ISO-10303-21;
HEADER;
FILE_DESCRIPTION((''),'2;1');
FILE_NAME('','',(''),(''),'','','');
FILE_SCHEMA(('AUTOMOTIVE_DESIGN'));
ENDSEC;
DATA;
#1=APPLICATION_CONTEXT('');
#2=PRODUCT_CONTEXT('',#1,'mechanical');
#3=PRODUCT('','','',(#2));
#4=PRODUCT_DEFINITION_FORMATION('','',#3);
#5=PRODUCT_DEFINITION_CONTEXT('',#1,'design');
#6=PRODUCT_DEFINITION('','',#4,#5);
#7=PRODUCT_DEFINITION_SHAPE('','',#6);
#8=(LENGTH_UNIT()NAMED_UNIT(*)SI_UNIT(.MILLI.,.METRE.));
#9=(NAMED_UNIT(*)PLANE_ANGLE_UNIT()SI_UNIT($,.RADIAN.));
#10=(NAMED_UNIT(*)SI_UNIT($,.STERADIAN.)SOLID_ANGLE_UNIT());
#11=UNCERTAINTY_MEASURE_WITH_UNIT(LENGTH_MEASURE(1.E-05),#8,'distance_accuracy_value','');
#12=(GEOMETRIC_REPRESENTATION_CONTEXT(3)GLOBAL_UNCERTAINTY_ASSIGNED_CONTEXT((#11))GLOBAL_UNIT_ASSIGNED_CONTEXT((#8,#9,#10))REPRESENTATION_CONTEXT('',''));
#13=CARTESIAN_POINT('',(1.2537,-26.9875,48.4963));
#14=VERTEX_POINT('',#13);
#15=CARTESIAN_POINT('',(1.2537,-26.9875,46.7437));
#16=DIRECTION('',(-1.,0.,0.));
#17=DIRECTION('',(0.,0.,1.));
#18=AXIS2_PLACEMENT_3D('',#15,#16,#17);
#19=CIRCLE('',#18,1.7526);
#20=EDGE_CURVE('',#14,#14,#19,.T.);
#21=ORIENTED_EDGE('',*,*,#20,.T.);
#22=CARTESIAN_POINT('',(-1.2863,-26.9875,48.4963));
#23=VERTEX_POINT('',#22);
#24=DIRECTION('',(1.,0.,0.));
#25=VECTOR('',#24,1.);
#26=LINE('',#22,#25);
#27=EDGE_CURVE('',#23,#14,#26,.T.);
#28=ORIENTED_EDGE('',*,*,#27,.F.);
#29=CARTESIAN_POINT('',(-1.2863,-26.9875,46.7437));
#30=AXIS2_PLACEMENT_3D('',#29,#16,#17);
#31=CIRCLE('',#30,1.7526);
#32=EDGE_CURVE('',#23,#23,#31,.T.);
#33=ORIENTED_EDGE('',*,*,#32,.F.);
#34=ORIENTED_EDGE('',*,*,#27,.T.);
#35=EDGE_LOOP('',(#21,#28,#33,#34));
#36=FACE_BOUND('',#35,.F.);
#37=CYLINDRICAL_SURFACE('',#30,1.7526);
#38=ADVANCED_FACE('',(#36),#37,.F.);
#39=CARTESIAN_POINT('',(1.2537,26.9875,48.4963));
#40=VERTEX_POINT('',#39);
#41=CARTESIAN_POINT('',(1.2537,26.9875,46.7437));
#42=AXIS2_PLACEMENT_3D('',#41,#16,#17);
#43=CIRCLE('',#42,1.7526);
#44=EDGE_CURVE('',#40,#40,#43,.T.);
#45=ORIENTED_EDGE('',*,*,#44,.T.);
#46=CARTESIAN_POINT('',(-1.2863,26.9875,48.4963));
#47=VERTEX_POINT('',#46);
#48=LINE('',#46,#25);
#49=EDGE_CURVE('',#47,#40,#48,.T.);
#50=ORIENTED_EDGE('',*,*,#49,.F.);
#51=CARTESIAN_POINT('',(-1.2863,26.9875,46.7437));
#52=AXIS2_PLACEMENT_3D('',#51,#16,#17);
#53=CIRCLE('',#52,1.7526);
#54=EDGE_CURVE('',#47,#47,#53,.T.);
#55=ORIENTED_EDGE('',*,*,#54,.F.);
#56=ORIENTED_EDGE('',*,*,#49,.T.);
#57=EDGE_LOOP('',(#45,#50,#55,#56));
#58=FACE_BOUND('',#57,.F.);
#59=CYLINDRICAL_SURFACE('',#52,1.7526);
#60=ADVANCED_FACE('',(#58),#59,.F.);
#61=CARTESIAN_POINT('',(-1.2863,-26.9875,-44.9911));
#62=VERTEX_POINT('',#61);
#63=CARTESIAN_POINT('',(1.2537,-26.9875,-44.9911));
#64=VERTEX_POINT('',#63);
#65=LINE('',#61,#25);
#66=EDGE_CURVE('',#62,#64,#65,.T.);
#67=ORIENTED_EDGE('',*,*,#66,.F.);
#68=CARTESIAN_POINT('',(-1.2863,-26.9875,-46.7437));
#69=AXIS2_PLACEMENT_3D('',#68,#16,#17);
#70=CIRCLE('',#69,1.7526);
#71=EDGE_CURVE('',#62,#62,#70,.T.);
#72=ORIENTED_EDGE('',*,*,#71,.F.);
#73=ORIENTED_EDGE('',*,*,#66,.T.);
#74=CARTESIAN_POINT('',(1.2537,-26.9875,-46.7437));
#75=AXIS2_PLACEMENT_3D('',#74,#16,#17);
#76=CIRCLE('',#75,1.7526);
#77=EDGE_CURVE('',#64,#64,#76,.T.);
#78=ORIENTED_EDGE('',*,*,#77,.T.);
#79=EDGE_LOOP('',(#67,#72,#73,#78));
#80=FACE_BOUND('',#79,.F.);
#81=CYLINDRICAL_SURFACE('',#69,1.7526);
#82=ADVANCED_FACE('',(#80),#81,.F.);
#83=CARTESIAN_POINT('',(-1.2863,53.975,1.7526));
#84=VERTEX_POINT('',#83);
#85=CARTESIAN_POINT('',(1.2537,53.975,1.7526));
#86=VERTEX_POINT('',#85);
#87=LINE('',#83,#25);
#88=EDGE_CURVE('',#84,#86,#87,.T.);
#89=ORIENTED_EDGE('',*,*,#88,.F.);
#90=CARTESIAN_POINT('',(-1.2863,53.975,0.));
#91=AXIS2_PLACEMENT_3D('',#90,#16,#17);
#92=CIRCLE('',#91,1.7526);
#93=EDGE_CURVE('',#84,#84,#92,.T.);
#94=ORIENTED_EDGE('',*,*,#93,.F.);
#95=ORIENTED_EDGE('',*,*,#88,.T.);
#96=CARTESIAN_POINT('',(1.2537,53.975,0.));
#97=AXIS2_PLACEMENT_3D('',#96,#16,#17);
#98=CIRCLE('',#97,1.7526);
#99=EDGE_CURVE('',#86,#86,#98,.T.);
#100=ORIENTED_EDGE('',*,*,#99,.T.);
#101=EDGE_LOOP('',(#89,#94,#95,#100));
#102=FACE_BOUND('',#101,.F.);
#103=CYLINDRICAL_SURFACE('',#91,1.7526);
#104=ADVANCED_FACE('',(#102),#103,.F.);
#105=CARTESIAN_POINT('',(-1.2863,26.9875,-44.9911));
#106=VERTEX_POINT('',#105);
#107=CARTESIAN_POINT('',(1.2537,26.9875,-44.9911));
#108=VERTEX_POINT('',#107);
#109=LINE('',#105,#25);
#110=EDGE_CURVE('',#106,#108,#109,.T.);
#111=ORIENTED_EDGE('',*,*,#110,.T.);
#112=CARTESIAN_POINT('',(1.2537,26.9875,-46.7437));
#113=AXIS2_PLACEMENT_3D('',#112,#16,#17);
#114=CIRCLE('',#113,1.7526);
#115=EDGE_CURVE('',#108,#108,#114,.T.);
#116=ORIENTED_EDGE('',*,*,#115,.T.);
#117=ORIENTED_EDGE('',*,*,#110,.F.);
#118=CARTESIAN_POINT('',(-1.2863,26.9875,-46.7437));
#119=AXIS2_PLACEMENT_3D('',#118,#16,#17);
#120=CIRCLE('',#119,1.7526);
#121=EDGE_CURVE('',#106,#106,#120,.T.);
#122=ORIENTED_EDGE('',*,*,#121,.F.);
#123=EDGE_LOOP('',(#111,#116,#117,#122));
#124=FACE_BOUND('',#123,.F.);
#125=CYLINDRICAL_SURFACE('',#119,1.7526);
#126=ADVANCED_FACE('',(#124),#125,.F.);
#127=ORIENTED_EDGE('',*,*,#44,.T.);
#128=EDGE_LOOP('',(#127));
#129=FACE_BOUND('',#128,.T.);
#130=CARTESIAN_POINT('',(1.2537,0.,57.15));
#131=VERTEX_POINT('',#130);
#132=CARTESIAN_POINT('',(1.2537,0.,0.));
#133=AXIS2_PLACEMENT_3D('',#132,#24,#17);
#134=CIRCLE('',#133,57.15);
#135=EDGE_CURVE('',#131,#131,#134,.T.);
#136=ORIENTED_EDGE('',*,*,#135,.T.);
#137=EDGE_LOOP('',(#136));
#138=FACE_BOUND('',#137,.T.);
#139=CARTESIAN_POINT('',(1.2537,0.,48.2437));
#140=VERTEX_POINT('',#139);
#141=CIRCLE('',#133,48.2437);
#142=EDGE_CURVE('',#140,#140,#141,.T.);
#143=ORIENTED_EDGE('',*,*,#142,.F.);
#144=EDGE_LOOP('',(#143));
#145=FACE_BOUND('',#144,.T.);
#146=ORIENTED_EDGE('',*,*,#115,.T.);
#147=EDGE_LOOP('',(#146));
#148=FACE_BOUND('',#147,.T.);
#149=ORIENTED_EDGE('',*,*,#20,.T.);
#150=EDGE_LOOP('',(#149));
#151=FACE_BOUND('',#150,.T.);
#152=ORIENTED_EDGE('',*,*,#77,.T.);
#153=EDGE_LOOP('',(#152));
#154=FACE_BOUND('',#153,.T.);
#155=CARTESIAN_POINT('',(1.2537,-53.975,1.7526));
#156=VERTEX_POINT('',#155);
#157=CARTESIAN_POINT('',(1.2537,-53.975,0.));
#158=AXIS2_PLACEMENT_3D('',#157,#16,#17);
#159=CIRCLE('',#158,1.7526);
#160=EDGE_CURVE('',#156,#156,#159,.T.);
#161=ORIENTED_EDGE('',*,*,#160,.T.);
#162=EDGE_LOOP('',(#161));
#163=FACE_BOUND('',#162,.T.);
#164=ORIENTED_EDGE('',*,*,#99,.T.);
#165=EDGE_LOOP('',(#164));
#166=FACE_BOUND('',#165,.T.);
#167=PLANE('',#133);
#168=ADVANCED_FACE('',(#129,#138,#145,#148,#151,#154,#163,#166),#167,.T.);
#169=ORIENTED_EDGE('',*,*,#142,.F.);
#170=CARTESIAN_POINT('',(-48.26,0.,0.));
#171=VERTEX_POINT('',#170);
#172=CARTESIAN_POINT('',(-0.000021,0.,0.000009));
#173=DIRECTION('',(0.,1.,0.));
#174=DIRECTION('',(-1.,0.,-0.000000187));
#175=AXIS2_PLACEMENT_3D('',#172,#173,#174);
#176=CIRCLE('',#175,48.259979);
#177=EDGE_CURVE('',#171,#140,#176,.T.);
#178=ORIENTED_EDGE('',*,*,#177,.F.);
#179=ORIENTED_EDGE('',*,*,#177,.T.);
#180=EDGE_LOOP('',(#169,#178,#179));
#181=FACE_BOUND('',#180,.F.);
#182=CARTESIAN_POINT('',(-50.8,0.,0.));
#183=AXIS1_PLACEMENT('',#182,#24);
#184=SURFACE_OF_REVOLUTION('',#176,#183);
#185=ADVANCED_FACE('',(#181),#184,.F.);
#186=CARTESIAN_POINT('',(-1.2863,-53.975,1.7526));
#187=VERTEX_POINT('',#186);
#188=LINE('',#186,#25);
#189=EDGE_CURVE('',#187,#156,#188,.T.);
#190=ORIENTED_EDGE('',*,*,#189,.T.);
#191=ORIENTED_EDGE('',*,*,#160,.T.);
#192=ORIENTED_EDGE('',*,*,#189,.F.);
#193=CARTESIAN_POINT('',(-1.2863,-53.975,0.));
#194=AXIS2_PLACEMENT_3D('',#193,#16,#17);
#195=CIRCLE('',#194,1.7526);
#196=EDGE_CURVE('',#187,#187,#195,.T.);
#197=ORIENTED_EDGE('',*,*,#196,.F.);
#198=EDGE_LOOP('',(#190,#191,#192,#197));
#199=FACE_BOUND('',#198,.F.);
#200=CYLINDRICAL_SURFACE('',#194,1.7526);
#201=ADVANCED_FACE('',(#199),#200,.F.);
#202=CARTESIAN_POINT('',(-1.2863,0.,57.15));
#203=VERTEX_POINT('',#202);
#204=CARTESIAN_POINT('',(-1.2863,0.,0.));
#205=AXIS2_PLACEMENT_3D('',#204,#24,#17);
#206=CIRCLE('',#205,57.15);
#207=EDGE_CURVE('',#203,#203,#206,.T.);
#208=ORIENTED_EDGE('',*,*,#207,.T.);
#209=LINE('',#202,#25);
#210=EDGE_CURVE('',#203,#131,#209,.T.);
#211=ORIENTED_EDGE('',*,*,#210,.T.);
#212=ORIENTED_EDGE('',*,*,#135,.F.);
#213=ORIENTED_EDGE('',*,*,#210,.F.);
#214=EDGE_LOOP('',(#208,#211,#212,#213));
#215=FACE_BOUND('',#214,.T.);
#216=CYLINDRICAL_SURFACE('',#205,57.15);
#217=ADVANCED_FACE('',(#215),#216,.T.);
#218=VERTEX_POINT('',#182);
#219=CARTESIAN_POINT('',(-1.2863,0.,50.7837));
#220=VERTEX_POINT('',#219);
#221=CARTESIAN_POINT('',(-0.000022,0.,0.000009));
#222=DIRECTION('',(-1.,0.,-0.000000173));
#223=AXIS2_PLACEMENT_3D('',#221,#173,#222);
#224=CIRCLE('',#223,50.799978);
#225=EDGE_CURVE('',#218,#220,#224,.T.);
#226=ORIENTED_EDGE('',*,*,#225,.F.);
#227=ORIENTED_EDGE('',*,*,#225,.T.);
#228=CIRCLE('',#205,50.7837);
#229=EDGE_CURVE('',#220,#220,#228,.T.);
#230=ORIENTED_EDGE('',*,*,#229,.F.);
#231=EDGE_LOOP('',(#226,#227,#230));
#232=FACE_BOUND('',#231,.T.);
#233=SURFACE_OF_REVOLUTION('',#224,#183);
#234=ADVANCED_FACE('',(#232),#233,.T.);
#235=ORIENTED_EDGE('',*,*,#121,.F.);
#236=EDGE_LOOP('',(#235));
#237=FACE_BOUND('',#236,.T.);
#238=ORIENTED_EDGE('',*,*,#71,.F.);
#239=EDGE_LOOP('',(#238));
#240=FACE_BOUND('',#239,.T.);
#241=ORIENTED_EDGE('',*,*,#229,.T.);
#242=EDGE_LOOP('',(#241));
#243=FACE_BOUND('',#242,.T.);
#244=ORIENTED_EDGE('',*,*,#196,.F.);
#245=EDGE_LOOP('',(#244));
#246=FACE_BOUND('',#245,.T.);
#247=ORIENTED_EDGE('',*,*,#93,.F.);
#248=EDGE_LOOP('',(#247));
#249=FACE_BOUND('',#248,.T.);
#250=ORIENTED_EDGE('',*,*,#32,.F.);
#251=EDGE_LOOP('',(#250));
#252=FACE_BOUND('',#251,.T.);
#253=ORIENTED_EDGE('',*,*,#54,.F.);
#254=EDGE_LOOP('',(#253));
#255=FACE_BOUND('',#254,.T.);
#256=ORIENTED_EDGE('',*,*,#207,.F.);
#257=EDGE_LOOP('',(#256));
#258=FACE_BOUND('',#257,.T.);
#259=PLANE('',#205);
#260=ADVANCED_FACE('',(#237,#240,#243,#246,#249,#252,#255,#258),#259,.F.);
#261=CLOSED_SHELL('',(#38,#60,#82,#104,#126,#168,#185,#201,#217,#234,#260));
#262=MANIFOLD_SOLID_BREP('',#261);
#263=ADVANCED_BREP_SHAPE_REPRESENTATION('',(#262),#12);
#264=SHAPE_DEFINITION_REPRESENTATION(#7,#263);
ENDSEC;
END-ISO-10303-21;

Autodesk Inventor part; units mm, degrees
ref_plane "YZ Plane" through (0, 0, 0) normal (1, 0, 0) x (0, 1, 0)
ref_plane "XZ Plane" through (0, 0, 0) normal (0, 1, 0) x (-1, 0, 0)
ref_plane "XY Plane" through (0, 0, 0) normal (0, 0, 1) x (1, 0, 0)
sketch "Sketch1" plane through (0, 0, 0) normal (0, 1, 0) x (-1, 0, 0)
  arc A0 (50.8, 0) -> (1.2863, 50.7837) centre (0, 0) ccw
  line L0 (1.2863, 50.7837) -> (1.2863, 57.15)
  line L1 (-1.2537, 57.15) -> (-1.2537, 48.2437)
  arc A1 (48.26, 0) -> (-1.2537, 48.2437) centre (0, 0) ccw
  line L2 (1.2863, 57.15) -> (-1.2537, 57.15)
  line L3 (50.8, 0) -> (48.2557, 0)
  dimension "d0" = 50.8
  dimension "d5" = 2.54
  dimension "d19" = 57.15
revolve "Revolution1" add sketch "Sketch1" angle 360 about axis through (-50.8, 0, 0) along (1, 0, 0)
sketch "Sketch2" plane through (-1.2863, 0, 0) normal (-1, 0, 0) x (0, 0, 1)
  circle A0 centre (0, 53.975) radius 1.7526
  circle A1 centre (0, 0) radius 50.7837 projected
  circle A2 centre (-46.7437, 26.9875) radius 1.7526
  circle A3 centre (-46.7437, -26.9875) radius 1.7526
  circle A4 centre (0, -53.975) radius 1.7526
  circle A5 centre (46.7437, -26.9875) radius 1.7526
  circle A6 centre (46.7437, 26.9875) radius 1.7526
  dimension "d10" = 3.5052
  dimension "d12" = 53.975
  dimension "d15" = 360
extrude "Extrusion1" cut sketch "Sketch2" against normal blind 254 contours A0 | A2 | A3 | A4 | A5 | A6
properties part number "ROV Dome 4''"
